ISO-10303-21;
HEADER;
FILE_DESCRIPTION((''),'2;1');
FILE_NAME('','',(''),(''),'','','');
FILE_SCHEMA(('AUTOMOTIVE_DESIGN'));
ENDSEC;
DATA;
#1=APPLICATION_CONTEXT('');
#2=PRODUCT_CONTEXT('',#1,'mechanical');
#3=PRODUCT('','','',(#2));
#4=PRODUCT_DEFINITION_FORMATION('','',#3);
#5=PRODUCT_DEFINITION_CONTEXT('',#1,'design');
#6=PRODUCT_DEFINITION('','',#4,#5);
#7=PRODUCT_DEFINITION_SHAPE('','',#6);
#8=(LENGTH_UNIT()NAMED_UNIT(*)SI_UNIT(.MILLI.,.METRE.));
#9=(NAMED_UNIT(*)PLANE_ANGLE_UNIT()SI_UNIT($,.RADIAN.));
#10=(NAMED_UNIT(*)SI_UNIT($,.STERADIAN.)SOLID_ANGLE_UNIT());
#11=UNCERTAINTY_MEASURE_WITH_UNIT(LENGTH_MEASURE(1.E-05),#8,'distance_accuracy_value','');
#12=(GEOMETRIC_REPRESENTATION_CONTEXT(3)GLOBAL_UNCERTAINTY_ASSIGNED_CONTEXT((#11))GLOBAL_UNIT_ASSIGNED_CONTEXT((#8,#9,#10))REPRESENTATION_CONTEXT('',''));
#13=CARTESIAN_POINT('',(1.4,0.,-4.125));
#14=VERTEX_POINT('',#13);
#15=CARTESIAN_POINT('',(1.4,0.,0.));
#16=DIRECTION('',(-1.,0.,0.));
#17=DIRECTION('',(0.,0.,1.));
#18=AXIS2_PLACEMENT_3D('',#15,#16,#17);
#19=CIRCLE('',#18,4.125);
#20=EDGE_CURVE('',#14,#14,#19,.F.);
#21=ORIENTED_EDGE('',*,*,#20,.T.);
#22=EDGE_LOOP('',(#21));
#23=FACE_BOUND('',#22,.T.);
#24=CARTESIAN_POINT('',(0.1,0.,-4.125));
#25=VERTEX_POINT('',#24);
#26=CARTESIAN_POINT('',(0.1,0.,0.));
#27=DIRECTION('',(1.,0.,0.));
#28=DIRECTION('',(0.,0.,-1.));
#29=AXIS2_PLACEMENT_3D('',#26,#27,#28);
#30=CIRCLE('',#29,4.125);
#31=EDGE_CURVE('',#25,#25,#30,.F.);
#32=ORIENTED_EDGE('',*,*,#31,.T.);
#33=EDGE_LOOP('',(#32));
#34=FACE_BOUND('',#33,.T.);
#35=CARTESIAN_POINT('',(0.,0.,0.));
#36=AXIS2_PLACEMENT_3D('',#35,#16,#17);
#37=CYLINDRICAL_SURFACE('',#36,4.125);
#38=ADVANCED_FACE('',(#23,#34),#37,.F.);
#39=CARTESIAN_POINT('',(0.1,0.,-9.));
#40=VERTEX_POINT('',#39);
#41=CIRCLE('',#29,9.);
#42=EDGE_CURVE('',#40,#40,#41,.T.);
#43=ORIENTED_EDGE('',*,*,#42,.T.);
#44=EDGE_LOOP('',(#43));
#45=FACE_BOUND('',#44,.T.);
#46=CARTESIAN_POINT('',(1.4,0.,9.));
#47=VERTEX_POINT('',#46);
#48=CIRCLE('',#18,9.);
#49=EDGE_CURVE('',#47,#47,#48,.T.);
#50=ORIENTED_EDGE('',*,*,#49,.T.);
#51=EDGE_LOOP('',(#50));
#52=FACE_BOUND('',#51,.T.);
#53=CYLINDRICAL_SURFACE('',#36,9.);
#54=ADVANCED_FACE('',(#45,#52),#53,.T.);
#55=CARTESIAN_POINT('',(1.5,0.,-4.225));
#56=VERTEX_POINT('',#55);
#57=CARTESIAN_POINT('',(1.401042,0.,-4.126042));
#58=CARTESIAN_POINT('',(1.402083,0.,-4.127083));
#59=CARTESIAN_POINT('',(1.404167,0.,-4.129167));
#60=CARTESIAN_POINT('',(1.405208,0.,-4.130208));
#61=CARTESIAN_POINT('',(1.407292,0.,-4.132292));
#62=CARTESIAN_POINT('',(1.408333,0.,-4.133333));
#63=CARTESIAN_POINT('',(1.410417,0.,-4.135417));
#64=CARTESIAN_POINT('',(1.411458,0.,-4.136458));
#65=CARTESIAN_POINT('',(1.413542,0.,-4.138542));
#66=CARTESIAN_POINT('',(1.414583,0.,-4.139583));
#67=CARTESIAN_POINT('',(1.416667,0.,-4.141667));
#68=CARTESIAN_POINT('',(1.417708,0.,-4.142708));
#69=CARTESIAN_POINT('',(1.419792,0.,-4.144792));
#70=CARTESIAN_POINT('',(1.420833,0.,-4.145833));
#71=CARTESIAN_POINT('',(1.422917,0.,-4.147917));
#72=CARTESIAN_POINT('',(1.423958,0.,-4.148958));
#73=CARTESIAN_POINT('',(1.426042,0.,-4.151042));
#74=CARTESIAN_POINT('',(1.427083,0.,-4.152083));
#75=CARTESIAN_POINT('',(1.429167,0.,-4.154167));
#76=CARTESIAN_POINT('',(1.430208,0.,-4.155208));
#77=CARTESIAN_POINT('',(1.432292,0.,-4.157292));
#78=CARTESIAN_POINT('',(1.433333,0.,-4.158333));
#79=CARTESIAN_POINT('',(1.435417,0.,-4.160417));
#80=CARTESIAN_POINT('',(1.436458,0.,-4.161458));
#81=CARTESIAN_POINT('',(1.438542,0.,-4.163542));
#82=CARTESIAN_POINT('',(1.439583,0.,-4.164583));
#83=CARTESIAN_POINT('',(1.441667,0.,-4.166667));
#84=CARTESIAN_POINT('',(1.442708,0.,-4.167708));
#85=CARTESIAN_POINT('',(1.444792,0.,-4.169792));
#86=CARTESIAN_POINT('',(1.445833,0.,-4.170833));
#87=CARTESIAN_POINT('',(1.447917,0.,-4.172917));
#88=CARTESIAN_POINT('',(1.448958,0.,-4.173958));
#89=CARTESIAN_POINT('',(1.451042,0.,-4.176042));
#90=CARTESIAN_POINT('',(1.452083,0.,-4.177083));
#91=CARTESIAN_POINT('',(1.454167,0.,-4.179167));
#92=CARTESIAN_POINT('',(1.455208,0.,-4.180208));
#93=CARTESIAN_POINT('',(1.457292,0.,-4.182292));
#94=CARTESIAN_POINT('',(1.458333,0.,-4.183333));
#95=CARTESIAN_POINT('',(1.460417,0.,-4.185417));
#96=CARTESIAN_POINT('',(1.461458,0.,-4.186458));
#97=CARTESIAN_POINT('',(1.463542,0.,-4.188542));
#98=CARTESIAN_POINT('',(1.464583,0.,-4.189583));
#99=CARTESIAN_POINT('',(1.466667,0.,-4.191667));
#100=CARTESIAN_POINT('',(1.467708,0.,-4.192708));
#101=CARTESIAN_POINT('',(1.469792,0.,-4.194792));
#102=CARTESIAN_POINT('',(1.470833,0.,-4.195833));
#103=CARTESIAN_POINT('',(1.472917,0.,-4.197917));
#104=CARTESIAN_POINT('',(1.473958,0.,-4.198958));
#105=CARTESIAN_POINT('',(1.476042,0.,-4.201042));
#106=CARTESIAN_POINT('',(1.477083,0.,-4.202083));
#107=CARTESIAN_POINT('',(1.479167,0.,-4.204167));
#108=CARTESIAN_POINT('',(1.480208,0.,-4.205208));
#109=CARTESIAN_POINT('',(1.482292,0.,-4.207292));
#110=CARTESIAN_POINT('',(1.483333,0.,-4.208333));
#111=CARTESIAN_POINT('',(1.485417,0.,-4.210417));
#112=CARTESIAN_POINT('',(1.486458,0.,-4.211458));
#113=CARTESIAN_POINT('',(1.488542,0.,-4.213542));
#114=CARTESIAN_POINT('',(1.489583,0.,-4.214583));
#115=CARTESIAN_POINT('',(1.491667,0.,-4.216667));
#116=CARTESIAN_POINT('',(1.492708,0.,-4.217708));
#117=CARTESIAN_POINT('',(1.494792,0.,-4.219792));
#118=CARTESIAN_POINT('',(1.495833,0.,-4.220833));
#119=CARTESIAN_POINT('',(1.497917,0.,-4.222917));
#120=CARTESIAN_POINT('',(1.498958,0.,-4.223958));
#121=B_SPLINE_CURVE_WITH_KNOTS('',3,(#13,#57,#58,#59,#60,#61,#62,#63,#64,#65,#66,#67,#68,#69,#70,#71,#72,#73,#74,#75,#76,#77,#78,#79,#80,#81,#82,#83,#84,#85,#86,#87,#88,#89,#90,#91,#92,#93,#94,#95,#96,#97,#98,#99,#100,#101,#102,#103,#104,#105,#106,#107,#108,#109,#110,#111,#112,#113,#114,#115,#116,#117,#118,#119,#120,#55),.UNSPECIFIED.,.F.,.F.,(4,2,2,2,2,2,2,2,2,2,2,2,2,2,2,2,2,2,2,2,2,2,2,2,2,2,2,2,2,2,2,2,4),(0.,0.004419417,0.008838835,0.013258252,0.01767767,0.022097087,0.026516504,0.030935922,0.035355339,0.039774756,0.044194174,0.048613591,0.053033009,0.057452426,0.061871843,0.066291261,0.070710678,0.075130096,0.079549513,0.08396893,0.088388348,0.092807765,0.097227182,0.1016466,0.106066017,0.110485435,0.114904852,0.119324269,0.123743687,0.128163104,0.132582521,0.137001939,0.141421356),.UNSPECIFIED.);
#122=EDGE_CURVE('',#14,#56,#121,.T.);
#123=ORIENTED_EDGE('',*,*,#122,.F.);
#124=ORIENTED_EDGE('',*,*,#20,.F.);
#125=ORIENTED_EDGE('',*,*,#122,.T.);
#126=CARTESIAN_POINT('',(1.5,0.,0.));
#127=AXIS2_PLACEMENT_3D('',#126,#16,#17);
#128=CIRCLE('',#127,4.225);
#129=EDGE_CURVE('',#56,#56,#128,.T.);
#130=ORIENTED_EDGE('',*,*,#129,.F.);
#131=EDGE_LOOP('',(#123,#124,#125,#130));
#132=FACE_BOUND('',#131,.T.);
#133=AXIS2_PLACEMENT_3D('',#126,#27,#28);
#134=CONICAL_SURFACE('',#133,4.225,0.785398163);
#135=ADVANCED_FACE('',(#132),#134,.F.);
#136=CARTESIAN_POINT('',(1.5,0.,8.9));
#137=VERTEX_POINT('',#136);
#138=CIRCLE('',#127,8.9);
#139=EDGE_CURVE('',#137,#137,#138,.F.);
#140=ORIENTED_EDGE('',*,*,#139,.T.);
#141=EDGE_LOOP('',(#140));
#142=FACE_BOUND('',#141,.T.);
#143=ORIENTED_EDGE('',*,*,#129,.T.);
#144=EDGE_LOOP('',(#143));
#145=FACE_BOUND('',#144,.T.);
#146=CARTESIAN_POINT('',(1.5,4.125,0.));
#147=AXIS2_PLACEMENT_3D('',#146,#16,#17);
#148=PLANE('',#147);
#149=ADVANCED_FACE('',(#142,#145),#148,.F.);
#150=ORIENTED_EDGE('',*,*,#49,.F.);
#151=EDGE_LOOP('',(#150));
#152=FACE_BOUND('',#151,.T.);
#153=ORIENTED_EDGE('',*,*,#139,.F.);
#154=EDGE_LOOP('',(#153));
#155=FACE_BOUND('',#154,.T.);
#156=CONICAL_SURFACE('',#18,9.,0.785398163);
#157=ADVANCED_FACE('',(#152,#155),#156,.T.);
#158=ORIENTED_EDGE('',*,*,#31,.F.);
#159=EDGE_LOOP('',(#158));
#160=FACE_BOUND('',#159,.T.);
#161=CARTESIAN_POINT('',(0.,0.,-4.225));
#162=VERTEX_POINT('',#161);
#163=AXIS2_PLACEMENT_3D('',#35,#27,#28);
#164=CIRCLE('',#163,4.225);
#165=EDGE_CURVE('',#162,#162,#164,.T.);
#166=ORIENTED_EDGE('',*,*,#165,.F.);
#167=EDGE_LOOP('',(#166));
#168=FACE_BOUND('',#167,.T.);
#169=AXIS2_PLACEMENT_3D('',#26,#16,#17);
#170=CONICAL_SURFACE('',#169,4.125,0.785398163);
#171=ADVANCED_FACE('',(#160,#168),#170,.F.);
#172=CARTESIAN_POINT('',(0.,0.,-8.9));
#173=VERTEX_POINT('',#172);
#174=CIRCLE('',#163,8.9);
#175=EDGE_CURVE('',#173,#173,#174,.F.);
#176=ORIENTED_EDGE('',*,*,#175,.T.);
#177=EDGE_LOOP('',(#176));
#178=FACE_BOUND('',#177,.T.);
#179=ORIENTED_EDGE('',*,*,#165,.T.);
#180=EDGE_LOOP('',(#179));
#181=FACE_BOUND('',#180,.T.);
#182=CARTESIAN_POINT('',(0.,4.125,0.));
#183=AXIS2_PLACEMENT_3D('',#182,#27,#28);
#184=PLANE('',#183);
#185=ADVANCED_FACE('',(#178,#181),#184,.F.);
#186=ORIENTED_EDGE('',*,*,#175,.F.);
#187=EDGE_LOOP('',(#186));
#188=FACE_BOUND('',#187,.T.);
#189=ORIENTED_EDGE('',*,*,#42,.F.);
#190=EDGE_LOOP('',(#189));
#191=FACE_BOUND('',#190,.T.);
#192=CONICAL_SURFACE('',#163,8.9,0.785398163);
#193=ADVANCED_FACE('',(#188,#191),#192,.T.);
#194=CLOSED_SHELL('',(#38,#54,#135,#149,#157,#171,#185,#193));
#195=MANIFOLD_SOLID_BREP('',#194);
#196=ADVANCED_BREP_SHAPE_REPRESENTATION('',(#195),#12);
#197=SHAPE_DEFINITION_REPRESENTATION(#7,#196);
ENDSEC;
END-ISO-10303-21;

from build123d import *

# Parameters (mm, degrees)
ESQUISSE1_W     = 1.5
ESQUISSE1_H     = 4.875
CHANFREIN1_SIZE = 0.1


with BuildPart() as part:
    # Esquisse1 → Base-Révolution (revolve)
    with BuildSketch(Plane.XY, mode=Mode.PRIVATE) as base_r_volution_sk:
        with Locations((0.75, 6.5625)):
            Rectangle(ESQUISSE1_W, ESQUISSE1_H)
    revolve(base_r_volution_sk.sketch.rotate(Axis((0, 0, 0), (1, 0, 0)), 270), axis=Axis((0, 0, 0), (1, 0, 0)))

    # Chanfrein1
    chanfrein1_edges = [part.edges().sort_by_distance(p)[0] for p in [
        (0, 0, 4.125),
        (1.5, 0, 4.125),
        (1.5, 0, 9),
        (0, 0, 9),
    ]]
    chamfer(chanfrein1_edges, length=CHANFREIN1_SIZE)


solid = part.part
